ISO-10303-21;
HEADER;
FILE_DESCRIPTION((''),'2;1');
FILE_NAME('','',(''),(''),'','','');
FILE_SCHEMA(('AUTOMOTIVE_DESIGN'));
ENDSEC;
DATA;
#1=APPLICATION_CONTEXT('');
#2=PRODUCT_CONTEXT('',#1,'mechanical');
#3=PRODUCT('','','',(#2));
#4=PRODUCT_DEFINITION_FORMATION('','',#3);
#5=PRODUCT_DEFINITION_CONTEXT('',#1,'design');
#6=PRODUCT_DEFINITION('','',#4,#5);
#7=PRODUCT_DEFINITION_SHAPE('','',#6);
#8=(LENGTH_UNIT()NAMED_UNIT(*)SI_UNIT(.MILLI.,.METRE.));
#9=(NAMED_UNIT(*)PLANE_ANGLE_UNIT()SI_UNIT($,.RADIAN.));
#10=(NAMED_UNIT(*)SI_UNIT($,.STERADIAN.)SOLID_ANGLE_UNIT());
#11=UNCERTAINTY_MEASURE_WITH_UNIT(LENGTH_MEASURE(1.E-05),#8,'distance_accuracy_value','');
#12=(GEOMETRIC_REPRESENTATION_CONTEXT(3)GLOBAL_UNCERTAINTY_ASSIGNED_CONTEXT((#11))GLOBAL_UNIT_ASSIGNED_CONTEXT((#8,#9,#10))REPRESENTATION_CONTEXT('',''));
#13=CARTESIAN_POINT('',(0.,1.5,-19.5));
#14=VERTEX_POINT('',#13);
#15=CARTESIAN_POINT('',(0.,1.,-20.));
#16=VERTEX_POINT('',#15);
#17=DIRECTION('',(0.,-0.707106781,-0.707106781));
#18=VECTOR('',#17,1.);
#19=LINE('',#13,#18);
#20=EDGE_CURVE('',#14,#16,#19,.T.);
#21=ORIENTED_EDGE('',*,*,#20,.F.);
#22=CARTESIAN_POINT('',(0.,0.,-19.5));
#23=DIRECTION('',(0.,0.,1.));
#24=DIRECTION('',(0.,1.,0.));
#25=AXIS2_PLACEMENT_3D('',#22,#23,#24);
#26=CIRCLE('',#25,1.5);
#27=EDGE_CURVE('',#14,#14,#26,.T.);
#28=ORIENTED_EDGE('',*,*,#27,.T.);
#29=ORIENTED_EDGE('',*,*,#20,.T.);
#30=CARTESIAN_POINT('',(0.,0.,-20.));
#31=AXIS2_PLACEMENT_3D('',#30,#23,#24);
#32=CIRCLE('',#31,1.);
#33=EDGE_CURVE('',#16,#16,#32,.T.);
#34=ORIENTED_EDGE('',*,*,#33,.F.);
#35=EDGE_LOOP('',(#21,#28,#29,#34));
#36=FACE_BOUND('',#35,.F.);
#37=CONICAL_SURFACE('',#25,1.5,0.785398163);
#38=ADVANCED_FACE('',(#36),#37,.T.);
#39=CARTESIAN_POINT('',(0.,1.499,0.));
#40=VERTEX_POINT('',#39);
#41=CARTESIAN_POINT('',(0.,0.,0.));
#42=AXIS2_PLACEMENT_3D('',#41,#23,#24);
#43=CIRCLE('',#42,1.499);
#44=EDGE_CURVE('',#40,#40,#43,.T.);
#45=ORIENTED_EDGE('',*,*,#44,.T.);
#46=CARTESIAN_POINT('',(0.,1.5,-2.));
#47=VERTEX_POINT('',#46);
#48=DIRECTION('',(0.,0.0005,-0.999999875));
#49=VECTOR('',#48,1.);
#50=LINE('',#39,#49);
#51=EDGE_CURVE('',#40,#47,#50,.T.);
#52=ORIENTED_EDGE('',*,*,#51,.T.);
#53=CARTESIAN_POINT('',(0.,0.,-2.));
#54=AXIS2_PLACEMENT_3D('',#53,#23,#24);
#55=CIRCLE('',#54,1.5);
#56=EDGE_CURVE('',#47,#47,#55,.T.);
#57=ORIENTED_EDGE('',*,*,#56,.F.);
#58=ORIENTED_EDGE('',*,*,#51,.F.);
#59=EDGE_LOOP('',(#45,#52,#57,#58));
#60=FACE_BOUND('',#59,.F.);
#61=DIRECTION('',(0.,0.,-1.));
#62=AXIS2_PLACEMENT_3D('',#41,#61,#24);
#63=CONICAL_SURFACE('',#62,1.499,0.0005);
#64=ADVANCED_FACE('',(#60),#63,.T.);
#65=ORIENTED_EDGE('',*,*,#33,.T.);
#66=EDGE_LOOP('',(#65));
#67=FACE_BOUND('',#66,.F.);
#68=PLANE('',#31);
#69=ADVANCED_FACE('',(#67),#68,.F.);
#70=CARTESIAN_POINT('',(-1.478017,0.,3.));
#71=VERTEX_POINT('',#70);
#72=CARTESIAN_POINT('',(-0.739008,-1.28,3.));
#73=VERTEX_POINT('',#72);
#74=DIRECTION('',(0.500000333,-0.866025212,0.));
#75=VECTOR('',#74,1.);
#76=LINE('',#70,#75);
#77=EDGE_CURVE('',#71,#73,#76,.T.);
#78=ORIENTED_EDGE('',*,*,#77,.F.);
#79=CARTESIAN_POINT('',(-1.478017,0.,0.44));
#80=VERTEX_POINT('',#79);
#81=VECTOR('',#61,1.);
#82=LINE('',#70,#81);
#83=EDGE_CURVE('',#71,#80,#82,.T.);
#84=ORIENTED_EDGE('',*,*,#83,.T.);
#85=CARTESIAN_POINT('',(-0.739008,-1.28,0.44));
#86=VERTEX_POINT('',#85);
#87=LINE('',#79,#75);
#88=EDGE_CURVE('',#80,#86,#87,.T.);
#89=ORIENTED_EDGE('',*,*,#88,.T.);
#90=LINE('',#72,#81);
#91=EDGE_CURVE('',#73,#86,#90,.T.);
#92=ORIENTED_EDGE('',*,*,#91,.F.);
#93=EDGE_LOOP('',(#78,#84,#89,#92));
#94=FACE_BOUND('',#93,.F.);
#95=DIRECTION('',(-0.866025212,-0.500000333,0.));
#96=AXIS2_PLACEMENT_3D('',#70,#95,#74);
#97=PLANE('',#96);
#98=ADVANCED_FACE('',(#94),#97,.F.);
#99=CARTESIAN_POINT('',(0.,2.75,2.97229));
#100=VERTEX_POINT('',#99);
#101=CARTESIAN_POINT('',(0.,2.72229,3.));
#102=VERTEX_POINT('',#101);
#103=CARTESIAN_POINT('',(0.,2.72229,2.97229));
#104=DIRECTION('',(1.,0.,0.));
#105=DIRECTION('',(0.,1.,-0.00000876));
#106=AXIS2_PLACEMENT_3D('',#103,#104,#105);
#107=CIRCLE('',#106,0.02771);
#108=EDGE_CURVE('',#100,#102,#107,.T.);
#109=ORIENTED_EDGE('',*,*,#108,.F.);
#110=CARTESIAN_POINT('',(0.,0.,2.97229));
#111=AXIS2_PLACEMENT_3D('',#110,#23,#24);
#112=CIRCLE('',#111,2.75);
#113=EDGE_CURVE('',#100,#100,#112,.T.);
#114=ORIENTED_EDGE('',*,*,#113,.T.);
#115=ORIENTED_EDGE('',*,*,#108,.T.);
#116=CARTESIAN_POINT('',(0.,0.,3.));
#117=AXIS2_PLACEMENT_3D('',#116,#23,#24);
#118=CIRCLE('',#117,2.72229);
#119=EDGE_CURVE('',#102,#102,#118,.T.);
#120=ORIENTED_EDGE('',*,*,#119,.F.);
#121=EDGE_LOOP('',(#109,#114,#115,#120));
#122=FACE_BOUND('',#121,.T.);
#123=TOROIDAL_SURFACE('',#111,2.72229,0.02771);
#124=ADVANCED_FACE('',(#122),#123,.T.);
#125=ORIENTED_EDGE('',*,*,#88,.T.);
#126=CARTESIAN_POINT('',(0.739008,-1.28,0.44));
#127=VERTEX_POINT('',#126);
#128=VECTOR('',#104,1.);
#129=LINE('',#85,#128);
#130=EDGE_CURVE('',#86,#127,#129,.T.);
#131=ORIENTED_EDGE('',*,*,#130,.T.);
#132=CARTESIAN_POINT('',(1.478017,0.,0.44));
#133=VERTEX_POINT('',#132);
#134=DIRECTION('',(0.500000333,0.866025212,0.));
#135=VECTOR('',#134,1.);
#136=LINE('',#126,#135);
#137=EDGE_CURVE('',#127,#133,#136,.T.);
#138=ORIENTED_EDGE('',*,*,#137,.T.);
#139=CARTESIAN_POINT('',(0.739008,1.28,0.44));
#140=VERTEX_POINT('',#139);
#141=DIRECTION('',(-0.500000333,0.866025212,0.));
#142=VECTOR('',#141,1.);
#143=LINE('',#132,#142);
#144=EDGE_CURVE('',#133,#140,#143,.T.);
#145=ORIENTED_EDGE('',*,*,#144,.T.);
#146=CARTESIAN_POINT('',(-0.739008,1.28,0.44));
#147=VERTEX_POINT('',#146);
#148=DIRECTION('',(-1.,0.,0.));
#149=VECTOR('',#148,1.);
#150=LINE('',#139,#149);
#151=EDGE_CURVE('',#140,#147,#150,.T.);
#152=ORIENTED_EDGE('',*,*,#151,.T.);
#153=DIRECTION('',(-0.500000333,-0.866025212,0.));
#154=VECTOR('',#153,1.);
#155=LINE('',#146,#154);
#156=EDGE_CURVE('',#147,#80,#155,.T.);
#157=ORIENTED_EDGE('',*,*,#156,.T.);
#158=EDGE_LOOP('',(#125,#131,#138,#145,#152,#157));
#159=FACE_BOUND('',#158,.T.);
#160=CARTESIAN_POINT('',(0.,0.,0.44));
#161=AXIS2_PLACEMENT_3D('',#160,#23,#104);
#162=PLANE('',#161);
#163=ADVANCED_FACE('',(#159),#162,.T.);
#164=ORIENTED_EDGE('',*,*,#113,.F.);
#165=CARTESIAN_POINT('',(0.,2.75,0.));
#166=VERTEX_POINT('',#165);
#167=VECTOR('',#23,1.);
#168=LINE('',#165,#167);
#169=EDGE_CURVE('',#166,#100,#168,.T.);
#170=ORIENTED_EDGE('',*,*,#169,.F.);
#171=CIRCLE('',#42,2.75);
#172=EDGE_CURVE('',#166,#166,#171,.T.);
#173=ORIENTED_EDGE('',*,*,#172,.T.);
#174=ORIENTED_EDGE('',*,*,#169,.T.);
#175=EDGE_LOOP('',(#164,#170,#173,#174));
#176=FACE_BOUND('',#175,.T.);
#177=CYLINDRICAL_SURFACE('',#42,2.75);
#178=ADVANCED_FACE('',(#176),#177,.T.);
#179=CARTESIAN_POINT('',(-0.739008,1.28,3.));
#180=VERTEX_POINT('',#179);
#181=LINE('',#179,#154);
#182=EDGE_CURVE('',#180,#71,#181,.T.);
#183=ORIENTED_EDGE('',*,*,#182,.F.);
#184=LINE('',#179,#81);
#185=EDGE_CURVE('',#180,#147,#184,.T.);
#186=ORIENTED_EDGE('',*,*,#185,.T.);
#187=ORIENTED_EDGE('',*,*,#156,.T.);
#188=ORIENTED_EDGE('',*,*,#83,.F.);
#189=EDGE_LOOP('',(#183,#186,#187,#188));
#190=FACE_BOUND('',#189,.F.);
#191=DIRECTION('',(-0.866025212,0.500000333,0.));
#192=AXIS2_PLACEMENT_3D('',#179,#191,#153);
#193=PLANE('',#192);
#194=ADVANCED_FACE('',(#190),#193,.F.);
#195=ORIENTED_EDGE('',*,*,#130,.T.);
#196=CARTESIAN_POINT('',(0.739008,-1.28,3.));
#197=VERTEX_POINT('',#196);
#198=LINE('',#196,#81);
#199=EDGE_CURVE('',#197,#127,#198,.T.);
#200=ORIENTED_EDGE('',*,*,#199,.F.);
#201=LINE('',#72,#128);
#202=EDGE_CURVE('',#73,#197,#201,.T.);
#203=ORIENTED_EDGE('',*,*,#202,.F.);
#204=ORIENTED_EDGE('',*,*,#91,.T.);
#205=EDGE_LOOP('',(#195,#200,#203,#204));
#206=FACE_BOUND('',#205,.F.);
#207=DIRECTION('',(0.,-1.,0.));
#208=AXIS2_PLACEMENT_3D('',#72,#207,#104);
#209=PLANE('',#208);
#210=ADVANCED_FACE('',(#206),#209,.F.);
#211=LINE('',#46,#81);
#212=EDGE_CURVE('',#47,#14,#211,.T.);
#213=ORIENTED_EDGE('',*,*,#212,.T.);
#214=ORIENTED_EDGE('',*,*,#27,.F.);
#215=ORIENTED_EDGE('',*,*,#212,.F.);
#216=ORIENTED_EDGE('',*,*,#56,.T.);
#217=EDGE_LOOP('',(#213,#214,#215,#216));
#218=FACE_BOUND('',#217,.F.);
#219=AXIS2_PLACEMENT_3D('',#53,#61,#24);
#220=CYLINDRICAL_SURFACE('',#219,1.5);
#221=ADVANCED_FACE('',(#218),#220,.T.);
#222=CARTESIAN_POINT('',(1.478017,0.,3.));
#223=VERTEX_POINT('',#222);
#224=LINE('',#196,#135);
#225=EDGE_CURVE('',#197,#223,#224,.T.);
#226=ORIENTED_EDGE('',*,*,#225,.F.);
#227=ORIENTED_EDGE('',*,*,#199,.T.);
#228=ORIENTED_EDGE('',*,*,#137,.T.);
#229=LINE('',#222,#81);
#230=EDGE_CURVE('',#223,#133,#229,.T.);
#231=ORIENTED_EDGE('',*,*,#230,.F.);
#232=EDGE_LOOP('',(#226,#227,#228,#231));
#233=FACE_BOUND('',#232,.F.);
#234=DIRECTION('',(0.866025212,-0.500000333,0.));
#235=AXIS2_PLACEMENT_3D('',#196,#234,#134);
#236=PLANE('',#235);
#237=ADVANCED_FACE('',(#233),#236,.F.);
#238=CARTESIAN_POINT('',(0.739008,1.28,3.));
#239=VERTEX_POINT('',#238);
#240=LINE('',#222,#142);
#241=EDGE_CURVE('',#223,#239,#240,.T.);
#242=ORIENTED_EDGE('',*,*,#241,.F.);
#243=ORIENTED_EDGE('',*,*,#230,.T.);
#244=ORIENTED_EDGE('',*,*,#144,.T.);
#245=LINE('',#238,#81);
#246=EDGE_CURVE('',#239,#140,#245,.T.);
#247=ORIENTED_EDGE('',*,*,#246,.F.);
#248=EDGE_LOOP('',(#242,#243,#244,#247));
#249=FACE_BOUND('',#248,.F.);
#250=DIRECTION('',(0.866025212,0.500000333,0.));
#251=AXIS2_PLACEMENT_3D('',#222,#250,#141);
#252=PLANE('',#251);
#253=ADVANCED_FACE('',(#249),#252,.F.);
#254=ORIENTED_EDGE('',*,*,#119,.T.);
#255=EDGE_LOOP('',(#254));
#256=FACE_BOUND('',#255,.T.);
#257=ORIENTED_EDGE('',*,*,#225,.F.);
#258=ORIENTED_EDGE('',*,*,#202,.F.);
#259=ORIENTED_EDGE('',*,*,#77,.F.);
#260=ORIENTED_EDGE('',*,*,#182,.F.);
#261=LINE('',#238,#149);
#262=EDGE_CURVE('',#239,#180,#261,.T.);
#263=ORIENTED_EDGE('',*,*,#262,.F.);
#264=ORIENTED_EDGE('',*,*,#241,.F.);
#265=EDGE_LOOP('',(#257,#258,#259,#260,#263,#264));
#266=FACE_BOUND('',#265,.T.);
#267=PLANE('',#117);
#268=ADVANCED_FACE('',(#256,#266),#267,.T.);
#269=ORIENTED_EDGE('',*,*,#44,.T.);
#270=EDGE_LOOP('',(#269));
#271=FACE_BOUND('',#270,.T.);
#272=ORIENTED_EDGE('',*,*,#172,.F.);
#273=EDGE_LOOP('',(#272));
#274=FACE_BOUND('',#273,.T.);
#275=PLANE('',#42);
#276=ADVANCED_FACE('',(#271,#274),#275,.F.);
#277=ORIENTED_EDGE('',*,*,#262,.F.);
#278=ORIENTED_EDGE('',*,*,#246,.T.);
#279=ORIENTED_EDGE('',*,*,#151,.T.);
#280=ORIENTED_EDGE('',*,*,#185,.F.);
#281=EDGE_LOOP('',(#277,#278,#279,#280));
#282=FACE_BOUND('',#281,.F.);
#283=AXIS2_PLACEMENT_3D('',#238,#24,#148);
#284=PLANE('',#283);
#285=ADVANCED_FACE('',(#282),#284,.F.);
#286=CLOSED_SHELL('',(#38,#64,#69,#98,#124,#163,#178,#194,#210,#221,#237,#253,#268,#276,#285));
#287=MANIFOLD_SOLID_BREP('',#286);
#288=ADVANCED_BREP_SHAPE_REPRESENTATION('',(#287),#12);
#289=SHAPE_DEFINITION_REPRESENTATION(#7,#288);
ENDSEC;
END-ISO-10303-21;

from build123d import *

# Parameters (mm, degrees)
POCKET_DEPTH = 2.56


with BuildPart() as part:
    # Sketch → Revolve (revolve)
    with BuildSketch(Plane.YZ):
        with BuildLine():
            Line((1.499, 0), (2.75, 0))
            Line((2.75, 0), (2.75, 2.97229))
            ThreePointArc((2.75, 2.97229), (2.741884, 2.991884), (2.72229, 3))
            Line((2.72229, 3), (0, 3))
            Line((0, -20), (0, 3))
            Line((1, -20), (0, -20))
            Line((1.5, -19.5), (1, -20))
            Line((1.5, -2), (1.5, -19.5))
            Line((1.499, 0), (1.5, -2))
        make_face()
    revolve(axis=Axis((0, 0, 0), (0, 0, 1)))

    # Sketch001 → Pocket (cut)
    with BuildSketch(Plane.XY.offset(3)):
        Polygon((1.478017, 0), (0.739008, 1.28), (-0.739008, 1.28), (-1.478017, 0), (-0.739008, -1.28), (0.739008, -1.28), align=None)
    extrude(amount=-POCKET_DEPTH, mode=Mode.SUBTRACT)


solid = part.part
